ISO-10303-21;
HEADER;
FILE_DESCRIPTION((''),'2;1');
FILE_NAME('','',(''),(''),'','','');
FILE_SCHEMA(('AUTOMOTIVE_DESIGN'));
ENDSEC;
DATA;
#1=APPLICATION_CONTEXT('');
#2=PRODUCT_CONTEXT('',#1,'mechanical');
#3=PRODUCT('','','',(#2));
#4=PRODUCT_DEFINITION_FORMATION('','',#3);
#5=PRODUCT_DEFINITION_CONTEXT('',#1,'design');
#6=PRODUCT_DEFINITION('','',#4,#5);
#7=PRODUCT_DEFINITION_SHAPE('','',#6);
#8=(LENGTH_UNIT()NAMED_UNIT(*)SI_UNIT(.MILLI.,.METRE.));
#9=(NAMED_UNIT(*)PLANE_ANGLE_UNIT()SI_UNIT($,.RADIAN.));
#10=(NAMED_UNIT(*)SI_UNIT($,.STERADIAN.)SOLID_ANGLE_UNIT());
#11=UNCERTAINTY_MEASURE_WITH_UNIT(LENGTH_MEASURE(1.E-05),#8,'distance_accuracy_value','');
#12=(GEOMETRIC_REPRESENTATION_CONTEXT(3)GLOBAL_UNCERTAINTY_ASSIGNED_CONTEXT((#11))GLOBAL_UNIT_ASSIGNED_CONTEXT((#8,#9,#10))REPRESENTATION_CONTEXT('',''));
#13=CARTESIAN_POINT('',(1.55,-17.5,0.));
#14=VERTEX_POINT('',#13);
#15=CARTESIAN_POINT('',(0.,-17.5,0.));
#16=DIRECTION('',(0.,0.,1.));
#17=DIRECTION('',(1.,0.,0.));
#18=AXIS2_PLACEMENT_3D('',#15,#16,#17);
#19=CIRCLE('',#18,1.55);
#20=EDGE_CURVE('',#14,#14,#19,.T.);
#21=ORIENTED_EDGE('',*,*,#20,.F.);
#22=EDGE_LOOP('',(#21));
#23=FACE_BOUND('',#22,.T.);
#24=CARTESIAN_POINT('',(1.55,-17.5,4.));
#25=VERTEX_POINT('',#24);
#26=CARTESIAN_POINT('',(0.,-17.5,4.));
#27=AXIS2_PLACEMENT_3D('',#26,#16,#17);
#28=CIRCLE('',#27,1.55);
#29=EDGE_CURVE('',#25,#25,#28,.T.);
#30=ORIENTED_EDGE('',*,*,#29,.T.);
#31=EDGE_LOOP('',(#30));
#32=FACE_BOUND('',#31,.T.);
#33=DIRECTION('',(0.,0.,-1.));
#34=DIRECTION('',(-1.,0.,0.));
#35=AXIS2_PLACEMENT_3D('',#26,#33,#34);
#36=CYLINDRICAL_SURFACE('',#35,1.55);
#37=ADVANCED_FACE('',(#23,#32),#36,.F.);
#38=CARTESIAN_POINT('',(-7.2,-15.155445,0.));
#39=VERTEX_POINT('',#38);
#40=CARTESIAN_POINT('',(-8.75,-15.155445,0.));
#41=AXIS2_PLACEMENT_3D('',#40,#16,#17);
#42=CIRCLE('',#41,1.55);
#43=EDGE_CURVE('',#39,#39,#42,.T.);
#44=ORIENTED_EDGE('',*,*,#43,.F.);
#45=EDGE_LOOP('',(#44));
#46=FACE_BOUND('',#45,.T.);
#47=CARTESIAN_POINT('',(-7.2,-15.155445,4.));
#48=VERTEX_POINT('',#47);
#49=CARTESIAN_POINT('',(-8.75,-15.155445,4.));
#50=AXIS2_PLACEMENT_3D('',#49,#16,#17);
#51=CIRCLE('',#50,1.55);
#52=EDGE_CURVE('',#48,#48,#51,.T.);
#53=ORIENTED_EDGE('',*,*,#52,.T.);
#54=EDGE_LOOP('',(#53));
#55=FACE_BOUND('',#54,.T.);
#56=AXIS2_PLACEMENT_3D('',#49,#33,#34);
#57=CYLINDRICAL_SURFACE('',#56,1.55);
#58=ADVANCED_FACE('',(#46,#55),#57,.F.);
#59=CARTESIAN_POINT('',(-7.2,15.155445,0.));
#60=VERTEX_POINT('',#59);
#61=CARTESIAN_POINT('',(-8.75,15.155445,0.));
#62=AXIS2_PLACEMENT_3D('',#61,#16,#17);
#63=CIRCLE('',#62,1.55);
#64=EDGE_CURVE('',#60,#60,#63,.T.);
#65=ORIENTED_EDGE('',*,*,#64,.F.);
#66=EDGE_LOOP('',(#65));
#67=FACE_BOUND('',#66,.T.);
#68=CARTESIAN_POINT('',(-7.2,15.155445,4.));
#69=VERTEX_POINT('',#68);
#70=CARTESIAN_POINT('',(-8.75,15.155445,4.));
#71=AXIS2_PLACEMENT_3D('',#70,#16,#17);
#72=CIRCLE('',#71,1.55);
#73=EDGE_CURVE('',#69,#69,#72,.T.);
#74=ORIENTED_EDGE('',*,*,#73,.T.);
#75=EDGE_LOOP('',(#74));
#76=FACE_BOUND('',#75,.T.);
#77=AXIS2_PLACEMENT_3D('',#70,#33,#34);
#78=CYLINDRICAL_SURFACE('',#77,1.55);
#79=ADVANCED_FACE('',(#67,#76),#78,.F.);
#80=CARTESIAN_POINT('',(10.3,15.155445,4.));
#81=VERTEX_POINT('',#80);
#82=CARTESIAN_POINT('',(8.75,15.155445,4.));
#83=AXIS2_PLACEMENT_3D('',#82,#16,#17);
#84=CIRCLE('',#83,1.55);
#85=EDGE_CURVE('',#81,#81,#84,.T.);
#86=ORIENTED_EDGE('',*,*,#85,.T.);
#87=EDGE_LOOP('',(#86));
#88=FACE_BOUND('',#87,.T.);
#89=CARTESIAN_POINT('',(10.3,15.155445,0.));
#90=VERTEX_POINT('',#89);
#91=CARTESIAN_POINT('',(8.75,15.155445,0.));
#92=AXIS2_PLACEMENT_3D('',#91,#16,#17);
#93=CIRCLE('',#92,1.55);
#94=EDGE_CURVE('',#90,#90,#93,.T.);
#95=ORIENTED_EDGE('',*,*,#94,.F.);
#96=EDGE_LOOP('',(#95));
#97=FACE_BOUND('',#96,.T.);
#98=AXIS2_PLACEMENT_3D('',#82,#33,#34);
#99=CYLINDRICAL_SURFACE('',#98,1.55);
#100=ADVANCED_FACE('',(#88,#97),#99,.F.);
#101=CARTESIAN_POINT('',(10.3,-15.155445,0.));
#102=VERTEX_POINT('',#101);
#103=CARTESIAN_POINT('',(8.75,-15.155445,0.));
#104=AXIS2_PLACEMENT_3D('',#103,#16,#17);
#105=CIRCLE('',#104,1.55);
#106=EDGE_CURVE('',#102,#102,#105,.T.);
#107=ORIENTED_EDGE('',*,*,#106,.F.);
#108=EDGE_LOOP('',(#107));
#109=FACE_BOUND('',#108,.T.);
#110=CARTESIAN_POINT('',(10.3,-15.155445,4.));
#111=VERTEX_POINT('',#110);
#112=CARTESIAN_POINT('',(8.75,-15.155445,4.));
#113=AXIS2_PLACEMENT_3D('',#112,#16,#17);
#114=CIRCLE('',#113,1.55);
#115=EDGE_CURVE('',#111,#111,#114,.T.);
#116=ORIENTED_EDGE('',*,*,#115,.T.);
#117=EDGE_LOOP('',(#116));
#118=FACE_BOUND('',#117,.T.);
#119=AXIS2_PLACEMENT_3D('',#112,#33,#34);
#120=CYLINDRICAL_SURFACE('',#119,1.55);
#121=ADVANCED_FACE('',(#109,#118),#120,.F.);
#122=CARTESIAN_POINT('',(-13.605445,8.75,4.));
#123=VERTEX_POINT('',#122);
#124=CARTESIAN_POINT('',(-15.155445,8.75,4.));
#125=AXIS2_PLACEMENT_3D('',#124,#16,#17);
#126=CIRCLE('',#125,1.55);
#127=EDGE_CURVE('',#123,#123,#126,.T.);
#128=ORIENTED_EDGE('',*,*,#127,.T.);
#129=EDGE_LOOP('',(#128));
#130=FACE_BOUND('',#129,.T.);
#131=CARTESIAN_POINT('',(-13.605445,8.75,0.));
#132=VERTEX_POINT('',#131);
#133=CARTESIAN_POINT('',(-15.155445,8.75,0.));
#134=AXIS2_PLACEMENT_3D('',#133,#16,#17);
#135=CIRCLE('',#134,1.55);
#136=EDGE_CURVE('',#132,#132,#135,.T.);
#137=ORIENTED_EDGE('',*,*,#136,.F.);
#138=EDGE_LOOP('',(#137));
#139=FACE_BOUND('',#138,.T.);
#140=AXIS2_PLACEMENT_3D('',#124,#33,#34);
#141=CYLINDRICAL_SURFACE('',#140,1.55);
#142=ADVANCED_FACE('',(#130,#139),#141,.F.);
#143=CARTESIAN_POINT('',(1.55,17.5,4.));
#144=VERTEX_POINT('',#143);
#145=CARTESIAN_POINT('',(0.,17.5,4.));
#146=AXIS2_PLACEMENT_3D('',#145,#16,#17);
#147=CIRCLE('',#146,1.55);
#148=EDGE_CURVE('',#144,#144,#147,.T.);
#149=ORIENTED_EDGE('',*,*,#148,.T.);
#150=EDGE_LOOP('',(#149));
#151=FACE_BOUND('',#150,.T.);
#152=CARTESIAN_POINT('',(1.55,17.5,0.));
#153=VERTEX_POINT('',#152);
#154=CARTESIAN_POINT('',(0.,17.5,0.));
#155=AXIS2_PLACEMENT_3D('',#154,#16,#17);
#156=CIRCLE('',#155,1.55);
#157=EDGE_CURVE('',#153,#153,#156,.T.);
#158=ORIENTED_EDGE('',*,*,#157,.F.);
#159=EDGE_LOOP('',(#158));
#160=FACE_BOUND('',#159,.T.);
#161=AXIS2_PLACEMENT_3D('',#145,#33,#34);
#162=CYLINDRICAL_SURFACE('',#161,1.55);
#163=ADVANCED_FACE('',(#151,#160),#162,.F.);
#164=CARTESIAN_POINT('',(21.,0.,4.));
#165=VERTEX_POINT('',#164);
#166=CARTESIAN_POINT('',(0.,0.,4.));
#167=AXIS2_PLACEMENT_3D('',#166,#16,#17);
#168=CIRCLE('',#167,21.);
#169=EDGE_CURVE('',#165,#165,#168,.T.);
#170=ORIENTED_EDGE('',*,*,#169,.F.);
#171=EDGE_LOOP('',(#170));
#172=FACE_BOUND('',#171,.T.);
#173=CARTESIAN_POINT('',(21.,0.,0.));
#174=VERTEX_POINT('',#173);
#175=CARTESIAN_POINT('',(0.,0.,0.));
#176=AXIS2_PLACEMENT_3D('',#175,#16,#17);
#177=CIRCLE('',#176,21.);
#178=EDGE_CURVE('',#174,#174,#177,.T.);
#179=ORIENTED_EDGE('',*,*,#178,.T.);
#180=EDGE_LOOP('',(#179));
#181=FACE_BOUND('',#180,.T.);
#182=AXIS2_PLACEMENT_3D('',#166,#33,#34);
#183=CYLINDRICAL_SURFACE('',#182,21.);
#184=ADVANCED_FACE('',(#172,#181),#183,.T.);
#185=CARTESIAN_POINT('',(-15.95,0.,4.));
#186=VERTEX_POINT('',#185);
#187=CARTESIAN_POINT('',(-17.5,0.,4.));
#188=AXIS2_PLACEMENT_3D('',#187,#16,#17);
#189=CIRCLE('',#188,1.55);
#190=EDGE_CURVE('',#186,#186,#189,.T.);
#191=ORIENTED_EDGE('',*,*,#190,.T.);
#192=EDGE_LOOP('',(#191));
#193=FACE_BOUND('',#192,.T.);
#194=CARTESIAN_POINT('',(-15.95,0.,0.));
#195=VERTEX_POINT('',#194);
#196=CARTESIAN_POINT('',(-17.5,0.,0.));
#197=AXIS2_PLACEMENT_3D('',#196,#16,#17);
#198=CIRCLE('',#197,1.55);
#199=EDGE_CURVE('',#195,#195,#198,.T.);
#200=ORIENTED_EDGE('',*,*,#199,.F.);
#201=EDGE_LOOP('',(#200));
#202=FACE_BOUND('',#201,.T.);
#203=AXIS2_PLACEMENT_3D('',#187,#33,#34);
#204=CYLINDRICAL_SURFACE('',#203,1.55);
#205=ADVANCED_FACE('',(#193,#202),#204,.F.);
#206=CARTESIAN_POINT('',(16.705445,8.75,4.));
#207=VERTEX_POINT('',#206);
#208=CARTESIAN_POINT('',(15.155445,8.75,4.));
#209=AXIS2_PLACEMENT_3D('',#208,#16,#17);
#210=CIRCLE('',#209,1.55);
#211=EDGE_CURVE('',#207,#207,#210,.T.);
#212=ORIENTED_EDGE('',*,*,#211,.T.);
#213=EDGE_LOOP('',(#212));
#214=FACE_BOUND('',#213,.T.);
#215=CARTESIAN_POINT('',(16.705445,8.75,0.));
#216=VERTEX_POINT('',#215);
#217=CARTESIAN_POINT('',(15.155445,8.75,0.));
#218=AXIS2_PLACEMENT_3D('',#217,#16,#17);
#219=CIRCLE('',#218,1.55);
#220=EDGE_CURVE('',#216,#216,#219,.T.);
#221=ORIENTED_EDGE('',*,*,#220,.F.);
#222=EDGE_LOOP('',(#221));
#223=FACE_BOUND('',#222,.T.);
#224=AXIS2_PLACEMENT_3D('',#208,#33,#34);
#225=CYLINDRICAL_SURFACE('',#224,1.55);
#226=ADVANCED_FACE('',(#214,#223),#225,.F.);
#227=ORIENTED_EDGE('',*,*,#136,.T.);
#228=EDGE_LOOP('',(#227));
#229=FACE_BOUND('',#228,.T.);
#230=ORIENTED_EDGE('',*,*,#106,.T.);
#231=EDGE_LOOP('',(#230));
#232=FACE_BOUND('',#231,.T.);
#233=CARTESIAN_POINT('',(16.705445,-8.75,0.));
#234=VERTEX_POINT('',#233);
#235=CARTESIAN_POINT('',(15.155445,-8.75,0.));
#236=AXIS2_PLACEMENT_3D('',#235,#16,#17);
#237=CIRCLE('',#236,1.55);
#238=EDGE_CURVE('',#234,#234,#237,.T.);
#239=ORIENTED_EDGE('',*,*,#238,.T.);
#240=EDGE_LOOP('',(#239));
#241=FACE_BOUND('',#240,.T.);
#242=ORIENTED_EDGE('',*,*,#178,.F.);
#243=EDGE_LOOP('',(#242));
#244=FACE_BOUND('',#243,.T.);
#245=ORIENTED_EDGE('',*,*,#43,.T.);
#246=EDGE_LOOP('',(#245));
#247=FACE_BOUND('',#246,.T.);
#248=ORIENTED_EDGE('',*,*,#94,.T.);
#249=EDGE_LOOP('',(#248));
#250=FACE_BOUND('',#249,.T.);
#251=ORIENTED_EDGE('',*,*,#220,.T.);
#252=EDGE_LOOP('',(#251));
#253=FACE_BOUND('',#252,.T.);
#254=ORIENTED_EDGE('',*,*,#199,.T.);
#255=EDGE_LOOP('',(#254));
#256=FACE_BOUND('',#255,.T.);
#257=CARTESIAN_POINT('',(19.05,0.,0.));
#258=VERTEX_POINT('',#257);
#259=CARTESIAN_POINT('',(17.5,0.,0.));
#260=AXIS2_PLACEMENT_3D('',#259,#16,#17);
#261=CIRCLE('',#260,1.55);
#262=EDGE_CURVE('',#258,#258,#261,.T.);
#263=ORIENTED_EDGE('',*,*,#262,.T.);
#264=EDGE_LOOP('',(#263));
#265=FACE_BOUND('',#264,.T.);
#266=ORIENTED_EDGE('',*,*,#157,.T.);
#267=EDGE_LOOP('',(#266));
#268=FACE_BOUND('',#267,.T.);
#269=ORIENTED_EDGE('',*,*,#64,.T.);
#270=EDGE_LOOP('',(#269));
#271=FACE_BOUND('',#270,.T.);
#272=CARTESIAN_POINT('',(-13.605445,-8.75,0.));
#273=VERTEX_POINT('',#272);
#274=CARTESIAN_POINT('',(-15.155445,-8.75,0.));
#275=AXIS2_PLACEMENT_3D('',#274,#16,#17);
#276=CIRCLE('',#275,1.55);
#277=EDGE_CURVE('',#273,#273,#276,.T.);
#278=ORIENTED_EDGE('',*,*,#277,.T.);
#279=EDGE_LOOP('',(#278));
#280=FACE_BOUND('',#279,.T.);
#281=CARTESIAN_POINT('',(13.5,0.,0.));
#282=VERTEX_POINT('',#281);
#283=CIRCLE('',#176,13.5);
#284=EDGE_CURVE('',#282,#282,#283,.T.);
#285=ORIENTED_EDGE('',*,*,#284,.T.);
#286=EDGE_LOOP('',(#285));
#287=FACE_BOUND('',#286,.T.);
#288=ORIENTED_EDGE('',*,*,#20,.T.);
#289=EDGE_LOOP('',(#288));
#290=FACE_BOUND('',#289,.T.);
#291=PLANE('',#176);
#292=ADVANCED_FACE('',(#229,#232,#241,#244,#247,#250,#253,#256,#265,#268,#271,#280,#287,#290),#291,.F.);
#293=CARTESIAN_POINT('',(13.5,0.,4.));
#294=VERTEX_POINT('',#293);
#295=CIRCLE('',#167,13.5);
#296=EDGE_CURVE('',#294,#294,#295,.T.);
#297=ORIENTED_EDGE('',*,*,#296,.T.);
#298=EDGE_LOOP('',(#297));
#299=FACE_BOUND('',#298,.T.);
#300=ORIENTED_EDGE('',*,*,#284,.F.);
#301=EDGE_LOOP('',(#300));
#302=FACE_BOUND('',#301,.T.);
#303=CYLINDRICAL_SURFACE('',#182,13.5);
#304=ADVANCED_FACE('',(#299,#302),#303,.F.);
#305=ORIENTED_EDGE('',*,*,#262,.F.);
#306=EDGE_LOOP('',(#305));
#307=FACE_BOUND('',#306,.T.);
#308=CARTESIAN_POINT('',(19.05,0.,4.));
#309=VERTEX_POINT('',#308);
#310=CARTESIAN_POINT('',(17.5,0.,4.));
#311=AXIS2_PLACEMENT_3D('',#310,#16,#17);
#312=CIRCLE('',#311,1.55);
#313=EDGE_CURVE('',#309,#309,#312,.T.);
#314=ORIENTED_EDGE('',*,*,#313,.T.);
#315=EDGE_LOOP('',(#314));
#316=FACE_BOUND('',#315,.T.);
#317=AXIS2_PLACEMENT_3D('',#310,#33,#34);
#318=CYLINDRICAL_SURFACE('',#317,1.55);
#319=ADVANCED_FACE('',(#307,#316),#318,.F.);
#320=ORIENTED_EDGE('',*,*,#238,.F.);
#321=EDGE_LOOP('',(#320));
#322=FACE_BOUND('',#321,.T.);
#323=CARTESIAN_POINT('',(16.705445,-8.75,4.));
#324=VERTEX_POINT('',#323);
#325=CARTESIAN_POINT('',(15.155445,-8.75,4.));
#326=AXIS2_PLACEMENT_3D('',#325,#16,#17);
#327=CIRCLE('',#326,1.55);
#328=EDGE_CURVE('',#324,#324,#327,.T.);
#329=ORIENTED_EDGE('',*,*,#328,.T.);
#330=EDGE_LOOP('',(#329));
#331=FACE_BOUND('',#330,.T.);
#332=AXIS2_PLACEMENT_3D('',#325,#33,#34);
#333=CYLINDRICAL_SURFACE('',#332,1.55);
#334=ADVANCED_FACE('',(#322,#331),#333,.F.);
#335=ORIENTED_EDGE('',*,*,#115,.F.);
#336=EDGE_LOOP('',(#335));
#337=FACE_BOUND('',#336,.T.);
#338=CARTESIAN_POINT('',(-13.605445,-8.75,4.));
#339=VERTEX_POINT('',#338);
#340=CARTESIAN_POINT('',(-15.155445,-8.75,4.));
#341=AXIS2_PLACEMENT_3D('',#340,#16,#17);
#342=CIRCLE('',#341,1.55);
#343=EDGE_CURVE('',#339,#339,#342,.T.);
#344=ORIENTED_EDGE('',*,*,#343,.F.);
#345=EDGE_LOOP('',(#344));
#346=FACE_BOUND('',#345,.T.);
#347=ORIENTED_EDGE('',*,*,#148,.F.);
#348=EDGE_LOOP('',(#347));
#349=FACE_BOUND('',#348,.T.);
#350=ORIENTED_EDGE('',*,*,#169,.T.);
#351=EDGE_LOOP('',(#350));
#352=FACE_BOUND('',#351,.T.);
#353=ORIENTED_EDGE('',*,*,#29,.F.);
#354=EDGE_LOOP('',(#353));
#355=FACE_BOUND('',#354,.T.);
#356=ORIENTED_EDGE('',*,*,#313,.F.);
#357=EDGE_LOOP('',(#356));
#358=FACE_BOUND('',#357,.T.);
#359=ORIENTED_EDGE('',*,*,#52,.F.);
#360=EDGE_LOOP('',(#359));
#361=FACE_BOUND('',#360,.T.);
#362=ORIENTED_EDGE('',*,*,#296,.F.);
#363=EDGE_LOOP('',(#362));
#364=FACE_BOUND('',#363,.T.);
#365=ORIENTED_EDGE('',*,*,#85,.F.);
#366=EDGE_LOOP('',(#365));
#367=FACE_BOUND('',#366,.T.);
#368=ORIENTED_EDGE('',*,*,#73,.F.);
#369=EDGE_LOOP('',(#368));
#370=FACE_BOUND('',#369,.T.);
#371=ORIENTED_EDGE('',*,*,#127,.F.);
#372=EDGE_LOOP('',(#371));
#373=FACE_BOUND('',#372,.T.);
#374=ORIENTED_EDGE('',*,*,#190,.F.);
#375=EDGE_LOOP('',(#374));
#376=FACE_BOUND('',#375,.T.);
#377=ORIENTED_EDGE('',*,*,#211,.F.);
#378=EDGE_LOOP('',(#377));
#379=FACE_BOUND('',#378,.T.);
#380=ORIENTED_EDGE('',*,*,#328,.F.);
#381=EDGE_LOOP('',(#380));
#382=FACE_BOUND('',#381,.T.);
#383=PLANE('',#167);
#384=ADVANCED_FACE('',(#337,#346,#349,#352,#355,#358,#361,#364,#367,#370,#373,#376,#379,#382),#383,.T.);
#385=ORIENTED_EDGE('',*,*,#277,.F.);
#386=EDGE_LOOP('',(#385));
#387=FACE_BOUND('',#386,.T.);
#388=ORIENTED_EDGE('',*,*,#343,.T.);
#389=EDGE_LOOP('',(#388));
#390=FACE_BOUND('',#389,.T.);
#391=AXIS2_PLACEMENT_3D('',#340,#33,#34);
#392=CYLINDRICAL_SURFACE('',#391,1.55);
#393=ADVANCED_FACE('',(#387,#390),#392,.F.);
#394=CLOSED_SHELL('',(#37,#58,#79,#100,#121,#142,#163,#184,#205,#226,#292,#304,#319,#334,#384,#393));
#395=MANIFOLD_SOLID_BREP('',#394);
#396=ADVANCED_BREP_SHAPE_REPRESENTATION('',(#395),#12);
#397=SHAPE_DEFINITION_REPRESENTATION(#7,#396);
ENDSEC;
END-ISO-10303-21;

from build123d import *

# Parameters (mm, degrees)
SKETCH_1_R      = 21
SKETCH_1_R_2    = 13.5
SKETCH_1_R_3    = 1.55
EXTRUDE_1_DEPTH = 4


with BuildPart() as part:
    # 草图1 → 凸台-拉伸1 (new body)
    with BuildSketch(Plane.XY):
        Circle(SKETCH_1_R)
        Circle(SKETCH_1_R_2, mode=Mode.SUBTRACT)
        with Locations((0, 17.5)):
            Circle(SKETCH_1_R_3, mode=Mode.SUBTRACT)
        with Locations((17.5, 0)):
            Circle(SKETCH_1_R_3, mode=Mode.SUBTRACT)
        with Locations((0, -17.5)):
            Circle(SKETCH_1_R_3, mode=Mode.SUBTRACT)
        with Locations((-17.5, 0)):
            Circle(SKETCH_1_R_3, mode=Mode.SUBTRACT)
        with Locations((15.155444566, -8.75)):
            Circle(SKETCH_1_R_3, mode=Mode.SUBTRACT)
        with Locations((8.75, 15.155444566)):
            Circle(SKETCH_1_R_3, mode=Mode.SUBTRACT)
        with Locations((-15.155444566, 8.75)):
            Circle(SKETCH_1_R_3, mode=Mode.SUBTRACT)
        with Locations((-8.75, -15.155444566)):
            Circle(SKETCH_1_R_3, mode=Mode.SUBTRACT)
        with Locations((-15.155444566, -8.75)):
            Circle(SKETCH_1_R_3, mode=Mode.SUBTRACT)
        with Locations((8.75, -15.155444566)):
            Circle(SKETCH_1_R_3, mode=Mode.SUBTRACT)
        with Locations((15.155444566, 8.75)):
            Circle(SKETCH_1_R_3, mode=Mode.SUBTRACT)
        with Locations((-8.75, 15.155444566)):
            Circle(SKETCH_1_R_3, mode=Mode.SUBTRACT)
    extrude(amount=EXTRUDE_1_DEPTH)


solid = part.part
